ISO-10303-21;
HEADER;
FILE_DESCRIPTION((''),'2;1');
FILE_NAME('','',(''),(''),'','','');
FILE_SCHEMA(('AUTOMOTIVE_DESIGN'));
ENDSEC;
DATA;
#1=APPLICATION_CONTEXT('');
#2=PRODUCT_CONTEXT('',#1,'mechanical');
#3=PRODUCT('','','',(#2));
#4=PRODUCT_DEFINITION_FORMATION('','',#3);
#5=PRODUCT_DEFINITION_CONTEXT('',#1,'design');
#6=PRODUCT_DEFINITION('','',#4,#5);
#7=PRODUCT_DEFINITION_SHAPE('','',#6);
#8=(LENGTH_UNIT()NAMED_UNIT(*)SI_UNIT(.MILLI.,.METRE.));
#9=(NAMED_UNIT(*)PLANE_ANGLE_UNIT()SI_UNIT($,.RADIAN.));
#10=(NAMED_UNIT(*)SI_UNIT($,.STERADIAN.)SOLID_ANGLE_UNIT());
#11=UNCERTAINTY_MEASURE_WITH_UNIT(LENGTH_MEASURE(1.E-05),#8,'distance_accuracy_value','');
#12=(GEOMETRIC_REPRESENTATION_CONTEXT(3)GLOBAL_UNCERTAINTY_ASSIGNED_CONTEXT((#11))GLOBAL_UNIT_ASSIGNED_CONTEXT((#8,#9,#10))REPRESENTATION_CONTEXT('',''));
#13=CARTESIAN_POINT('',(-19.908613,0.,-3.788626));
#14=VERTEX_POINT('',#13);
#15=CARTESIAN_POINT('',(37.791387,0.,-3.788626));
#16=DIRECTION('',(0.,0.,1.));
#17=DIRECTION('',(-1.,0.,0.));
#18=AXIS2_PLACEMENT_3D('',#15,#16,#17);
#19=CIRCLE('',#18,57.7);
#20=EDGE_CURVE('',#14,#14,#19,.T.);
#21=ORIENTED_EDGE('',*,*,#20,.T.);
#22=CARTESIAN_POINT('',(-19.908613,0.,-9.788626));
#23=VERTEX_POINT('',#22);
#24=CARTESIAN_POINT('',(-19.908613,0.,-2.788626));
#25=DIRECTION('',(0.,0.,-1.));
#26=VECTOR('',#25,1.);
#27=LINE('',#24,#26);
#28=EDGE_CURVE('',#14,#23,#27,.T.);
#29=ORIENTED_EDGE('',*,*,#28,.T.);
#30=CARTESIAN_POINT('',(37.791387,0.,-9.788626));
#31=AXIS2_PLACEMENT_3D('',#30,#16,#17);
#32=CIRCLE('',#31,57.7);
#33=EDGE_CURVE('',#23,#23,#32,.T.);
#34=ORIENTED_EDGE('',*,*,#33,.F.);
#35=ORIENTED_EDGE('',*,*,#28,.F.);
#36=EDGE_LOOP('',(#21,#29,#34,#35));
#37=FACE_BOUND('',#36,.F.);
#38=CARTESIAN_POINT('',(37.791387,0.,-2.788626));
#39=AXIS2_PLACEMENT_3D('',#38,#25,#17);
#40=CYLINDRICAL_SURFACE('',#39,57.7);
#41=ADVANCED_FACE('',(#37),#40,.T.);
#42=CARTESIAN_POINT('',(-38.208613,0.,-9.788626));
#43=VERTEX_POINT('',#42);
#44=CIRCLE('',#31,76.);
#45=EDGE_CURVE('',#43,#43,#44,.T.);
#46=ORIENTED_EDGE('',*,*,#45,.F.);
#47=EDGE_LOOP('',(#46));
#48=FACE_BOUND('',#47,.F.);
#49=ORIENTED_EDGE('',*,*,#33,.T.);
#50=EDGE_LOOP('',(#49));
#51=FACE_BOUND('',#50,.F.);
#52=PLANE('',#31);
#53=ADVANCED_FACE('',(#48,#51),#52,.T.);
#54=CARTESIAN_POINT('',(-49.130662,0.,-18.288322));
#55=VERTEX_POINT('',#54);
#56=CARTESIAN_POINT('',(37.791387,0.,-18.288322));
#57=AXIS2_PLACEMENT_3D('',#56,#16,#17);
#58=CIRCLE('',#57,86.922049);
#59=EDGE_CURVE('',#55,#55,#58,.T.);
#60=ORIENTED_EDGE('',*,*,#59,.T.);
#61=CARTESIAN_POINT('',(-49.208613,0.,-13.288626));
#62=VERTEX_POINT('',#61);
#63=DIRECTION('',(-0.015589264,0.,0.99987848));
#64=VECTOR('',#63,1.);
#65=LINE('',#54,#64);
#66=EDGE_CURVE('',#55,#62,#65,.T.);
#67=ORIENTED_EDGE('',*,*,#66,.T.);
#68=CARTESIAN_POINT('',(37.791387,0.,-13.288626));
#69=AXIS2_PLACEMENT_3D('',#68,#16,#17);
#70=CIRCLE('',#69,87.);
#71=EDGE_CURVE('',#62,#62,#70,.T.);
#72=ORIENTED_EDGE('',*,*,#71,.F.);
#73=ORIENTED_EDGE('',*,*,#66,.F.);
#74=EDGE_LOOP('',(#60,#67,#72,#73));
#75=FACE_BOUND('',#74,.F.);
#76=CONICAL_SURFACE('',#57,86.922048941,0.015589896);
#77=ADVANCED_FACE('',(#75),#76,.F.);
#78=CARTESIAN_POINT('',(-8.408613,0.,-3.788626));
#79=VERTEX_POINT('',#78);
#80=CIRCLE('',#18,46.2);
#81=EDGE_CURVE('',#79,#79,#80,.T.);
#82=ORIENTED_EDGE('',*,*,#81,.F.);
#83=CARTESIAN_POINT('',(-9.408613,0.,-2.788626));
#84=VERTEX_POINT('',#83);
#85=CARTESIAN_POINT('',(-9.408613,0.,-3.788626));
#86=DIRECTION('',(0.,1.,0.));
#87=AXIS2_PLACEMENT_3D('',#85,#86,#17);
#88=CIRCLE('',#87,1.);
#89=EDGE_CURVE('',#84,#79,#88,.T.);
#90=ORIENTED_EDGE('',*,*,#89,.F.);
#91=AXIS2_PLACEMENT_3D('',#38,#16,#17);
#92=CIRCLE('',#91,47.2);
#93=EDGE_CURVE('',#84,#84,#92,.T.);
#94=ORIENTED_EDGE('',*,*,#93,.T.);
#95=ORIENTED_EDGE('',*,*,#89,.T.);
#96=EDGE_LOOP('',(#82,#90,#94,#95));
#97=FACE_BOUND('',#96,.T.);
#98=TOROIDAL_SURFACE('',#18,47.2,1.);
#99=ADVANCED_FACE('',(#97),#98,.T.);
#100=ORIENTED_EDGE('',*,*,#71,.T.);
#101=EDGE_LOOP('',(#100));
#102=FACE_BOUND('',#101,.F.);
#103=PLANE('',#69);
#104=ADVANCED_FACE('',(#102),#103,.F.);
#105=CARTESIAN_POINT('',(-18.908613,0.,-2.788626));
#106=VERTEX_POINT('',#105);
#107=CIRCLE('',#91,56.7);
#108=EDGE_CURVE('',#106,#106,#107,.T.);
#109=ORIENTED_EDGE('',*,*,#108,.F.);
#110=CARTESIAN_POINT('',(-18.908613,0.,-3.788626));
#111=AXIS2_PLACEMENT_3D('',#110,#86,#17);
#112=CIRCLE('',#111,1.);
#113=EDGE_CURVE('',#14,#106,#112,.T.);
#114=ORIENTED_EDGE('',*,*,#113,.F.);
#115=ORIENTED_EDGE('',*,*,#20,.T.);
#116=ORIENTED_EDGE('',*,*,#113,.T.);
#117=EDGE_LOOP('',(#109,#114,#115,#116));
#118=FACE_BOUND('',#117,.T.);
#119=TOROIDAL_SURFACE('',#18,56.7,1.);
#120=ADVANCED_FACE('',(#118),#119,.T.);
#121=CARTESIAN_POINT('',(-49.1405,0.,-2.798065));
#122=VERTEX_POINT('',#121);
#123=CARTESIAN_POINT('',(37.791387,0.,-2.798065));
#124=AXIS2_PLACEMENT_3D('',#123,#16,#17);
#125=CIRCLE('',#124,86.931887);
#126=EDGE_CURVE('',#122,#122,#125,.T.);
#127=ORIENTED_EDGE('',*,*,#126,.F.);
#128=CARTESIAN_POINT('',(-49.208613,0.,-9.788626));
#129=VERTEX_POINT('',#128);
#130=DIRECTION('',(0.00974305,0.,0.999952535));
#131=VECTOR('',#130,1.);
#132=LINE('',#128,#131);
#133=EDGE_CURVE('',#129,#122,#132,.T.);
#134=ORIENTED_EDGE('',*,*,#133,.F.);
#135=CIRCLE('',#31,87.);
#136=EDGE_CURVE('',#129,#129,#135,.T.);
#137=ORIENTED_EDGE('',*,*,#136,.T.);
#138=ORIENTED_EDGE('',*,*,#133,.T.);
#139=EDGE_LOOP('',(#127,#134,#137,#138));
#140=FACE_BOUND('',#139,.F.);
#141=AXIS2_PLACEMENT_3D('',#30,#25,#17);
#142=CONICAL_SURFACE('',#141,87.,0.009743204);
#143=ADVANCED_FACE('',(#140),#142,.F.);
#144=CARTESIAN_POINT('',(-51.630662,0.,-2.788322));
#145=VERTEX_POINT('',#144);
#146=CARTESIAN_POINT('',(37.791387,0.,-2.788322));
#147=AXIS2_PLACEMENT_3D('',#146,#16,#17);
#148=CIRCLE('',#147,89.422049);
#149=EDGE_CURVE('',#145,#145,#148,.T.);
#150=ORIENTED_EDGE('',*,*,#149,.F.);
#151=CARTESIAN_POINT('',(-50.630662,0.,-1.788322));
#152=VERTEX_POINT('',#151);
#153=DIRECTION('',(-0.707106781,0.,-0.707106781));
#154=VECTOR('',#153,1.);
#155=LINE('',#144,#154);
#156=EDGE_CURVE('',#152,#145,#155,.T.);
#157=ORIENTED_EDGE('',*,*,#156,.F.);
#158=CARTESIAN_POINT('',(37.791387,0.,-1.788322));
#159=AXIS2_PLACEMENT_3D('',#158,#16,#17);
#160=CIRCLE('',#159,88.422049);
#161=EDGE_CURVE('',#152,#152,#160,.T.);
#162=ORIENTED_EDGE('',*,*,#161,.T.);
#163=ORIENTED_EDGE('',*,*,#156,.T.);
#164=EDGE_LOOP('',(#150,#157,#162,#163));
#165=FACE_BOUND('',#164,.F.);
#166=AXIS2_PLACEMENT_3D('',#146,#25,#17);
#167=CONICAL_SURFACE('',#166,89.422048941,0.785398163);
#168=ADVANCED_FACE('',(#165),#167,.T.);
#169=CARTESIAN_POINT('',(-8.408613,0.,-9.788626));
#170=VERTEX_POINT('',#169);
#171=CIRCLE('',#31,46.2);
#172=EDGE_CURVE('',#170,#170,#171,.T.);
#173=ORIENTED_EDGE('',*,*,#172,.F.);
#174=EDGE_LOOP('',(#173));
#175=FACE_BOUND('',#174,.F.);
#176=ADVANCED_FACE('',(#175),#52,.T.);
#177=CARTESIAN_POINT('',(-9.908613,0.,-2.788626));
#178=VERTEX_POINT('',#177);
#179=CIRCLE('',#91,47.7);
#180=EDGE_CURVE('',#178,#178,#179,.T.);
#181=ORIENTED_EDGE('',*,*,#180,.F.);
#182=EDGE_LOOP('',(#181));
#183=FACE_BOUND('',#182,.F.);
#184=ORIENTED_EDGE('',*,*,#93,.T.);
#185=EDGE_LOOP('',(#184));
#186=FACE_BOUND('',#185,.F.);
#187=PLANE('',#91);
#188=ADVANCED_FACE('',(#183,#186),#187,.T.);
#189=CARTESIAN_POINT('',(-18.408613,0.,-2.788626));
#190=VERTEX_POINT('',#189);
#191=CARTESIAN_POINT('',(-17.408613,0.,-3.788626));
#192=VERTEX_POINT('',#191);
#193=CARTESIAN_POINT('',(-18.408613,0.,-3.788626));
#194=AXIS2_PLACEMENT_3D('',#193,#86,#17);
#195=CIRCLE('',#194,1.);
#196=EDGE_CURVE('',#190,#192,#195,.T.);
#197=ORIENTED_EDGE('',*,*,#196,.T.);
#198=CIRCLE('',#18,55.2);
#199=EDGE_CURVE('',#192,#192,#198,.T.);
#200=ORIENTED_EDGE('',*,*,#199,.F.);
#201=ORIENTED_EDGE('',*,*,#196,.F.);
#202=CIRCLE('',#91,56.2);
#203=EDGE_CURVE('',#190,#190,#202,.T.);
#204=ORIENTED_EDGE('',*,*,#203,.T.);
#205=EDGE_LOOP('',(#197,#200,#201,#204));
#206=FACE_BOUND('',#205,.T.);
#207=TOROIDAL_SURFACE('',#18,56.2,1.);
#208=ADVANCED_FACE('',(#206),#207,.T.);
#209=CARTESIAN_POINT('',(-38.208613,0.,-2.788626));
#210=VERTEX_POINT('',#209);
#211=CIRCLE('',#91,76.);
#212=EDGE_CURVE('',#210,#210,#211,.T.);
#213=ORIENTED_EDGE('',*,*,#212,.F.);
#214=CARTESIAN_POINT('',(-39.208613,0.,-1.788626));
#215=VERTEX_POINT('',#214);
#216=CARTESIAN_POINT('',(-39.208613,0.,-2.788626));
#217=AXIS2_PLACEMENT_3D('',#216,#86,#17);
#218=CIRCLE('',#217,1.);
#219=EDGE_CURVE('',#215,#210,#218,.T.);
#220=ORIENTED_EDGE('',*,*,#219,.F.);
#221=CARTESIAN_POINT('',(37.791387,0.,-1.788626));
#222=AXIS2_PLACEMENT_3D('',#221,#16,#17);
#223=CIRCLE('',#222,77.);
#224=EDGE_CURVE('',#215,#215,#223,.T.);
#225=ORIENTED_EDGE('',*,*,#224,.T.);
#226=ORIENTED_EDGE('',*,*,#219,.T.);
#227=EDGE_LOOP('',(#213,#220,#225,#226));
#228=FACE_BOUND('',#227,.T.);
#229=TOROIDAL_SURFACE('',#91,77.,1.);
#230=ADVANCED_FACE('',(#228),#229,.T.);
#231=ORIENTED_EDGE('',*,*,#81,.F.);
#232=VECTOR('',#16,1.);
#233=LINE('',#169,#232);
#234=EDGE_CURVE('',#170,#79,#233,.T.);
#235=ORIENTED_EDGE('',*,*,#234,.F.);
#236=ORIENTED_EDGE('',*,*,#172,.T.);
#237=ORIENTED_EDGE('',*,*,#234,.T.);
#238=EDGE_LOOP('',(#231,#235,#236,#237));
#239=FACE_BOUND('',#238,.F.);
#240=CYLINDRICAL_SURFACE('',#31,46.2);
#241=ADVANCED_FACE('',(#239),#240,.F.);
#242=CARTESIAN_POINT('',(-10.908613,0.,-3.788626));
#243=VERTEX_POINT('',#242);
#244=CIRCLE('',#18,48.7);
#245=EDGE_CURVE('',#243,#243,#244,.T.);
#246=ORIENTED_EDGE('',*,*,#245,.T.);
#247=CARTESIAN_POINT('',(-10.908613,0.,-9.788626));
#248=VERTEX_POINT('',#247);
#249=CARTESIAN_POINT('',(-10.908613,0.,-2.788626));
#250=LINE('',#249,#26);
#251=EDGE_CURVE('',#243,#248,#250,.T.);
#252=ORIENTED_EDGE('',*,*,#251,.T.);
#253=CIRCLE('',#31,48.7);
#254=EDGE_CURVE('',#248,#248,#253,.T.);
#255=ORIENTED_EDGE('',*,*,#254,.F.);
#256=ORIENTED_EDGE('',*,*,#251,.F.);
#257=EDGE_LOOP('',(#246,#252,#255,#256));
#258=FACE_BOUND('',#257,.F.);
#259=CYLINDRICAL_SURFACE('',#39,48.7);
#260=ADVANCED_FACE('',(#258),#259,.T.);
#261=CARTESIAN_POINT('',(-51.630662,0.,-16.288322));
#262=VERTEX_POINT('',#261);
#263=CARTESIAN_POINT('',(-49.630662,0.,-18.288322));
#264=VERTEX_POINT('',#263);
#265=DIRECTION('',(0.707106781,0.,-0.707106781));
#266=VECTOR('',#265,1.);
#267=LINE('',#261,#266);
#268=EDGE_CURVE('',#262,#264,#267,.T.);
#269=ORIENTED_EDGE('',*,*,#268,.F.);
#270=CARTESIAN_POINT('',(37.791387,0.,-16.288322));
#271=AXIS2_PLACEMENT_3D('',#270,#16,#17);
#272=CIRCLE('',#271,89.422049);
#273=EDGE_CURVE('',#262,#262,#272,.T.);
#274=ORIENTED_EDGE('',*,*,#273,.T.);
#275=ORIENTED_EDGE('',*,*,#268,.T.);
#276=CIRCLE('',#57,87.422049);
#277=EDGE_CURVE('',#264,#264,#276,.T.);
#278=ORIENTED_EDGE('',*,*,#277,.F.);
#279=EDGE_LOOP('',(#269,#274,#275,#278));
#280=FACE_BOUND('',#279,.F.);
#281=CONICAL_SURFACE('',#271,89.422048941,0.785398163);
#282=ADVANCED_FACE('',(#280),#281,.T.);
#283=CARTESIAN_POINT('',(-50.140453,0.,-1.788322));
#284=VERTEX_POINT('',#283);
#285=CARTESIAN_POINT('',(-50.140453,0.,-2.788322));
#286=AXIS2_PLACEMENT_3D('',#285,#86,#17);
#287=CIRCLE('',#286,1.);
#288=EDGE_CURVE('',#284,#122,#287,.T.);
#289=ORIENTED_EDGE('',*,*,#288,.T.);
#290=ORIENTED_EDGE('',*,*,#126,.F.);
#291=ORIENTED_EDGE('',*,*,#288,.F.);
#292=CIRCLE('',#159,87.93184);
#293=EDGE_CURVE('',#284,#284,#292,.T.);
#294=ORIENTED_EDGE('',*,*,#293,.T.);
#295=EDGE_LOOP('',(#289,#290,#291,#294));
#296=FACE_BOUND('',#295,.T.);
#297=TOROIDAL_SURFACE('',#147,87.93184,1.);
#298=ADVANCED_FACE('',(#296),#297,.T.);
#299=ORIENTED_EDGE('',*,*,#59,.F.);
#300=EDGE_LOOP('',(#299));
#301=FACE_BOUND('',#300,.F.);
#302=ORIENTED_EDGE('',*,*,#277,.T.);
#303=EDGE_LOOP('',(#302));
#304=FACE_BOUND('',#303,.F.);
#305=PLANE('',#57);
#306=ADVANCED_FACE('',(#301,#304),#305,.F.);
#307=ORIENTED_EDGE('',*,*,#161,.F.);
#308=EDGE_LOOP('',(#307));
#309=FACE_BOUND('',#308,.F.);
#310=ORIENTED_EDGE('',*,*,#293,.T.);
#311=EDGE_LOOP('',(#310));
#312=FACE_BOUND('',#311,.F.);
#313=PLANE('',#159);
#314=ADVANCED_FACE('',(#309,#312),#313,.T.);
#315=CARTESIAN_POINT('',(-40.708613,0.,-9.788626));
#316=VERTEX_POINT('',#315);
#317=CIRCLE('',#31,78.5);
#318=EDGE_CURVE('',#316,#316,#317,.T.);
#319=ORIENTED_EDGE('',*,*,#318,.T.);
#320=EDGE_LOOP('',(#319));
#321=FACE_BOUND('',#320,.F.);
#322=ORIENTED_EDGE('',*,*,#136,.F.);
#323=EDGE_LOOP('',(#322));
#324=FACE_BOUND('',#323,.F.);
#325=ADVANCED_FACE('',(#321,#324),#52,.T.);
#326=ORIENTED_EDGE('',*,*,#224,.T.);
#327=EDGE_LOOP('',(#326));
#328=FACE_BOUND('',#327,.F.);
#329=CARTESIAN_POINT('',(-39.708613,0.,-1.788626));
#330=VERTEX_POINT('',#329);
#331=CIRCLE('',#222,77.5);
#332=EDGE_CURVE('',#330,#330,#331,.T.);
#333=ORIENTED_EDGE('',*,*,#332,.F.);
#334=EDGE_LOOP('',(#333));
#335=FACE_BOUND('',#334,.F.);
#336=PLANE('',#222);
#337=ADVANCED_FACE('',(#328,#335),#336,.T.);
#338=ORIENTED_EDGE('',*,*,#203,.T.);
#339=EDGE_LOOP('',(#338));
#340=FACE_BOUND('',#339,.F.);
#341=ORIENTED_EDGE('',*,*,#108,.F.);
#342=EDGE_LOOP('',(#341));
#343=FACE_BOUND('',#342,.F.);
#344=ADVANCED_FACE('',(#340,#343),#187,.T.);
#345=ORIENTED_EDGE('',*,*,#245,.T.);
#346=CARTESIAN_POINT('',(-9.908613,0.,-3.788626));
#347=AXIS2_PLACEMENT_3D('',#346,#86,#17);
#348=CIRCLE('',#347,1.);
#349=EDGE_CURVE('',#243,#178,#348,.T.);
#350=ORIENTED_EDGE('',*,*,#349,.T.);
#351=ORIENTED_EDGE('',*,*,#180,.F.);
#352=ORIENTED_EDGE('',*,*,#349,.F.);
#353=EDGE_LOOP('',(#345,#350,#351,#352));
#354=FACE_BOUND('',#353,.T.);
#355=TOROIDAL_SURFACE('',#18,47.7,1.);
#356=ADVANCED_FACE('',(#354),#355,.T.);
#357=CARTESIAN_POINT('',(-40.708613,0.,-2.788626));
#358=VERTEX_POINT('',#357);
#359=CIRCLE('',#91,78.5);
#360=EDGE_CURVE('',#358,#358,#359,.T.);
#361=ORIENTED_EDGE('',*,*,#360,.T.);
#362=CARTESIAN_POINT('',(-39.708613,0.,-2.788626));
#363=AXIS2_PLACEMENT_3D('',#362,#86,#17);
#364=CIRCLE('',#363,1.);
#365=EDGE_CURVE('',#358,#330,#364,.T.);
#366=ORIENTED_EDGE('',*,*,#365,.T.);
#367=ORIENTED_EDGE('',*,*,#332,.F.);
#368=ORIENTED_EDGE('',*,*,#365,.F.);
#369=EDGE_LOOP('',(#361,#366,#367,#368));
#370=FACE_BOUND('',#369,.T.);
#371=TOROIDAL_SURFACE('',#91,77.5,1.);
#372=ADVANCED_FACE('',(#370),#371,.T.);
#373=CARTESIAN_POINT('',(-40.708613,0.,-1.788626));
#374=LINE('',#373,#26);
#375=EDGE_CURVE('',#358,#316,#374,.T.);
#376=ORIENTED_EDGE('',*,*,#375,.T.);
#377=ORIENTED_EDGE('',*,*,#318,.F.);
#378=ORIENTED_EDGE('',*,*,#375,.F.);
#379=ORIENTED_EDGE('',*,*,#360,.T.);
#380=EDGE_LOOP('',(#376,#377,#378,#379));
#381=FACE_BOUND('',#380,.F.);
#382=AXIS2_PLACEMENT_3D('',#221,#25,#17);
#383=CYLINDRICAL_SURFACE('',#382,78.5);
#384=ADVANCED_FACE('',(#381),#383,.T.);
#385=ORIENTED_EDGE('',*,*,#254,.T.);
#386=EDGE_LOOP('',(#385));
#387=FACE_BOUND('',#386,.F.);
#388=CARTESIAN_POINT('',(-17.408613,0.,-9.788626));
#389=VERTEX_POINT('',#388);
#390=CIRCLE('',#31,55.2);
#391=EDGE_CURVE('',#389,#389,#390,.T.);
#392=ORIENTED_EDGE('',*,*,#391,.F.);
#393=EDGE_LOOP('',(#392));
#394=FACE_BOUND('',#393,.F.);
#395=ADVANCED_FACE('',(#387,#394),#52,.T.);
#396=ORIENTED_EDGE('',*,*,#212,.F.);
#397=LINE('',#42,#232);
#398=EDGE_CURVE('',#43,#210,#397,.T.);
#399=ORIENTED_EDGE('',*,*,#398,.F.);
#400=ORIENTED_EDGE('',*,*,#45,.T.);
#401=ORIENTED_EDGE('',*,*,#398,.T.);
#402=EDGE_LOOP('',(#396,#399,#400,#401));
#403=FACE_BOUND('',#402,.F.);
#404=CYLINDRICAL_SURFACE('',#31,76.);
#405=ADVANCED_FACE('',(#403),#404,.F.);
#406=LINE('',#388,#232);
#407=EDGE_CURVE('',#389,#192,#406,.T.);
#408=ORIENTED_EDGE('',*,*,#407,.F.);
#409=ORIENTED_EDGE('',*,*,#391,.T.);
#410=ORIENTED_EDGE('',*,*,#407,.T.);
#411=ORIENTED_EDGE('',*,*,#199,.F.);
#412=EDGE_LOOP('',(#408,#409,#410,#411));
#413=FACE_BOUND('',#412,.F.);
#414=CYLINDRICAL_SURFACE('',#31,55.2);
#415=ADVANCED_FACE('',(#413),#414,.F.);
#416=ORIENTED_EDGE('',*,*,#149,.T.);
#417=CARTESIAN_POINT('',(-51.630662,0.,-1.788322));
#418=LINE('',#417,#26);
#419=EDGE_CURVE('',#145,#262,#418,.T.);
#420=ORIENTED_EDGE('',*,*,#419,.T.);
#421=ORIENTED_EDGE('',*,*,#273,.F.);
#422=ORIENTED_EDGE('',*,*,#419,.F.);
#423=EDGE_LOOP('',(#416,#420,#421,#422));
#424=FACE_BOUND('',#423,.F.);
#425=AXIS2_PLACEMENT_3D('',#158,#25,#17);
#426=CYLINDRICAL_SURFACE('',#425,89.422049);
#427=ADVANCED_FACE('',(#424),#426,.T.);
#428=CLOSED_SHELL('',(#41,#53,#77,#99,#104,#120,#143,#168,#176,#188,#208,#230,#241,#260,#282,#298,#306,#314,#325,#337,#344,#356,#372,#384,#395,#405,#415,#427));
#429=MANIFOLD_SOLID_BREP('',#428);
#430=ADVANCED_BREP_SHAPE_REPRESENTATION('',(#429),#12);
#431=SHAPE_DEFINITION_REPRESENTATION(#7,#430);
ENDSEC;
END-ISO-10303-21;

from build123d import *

# Parameters (mm, degrees)
F2_SIZE = 1
F3_R    = 1
F4_SIZE = 2


with BuildPart() as f1:
    # F0 (on Front) → F1 (revolve)
    with BuildSketch(Plane.XZ):
        Polygon((-51.6306617908, -9.7883217931), (-51.6306617908, -13.2883217931), (-51.6306617908, -18.2883217931), (-49.1306617908, -18.2883217931), (-49.2086128494, -13.2886256161), (37.7913871506, -13.2886256161), (37.7913871506, -9.7886256161), (-8.4086128494, -9.7886256161), (-8.4086128494, -2.7886256161), (-10.9086128494, -2.7886256161), (-10.9086128494, -9.7886256161), (-17.4086128494, -9.7886256161), (-17.4086128494, -2.7886256161), (-19.9086128494, -2.7886256161), (-19.9086128494, -9.7886256161), (-38.2086128494, -9.7886256161), (-38.2086128494, -1.7886256161), (-40.7086128494, -1.7886256161), (-40.7086128494, -9.7886256161), (-49.2086128494, -9.7886256161), (-49.1306617908, -1.7883217931), (-51.6306617908, -1.7883217931), align=None)
    revolve(axis=Axis((37.7913871506, 0, -11.5386256161), (0, 0, 1)))

    # F2
    f2_edges = [f1.edges().sort_by_distance(p)[0] for p in [
        (127.213436, 0, -1.788322),
    ]]
    chamfer(f2_edges, length=F2_SIZE)

    # F3
    f3_edges = [f1.edges().sort_by_distance(p)[0] for p in [
        (124.713436, 0, -1.788322),
        (113.791387, 0, -1.788626),
        (116.291387, 0, -1.788626),
        (95.491387, 0, -2.788626),
        (86.491387, 0, -2.788626),
        (83.991387, 0, -2.788626),
        (92.991387, 0, -2.788626),
    ]]
    fillet(f3_edges, radius=F3_R)

    # F4
    f4_edges = [f1.edges().sort_by_distance(p)[0] for p in [
        (127.213436, 0, -18.288322),
    ]]
    chamfer(f4_edges, length=F4_SIZE)


solid = f1.part
